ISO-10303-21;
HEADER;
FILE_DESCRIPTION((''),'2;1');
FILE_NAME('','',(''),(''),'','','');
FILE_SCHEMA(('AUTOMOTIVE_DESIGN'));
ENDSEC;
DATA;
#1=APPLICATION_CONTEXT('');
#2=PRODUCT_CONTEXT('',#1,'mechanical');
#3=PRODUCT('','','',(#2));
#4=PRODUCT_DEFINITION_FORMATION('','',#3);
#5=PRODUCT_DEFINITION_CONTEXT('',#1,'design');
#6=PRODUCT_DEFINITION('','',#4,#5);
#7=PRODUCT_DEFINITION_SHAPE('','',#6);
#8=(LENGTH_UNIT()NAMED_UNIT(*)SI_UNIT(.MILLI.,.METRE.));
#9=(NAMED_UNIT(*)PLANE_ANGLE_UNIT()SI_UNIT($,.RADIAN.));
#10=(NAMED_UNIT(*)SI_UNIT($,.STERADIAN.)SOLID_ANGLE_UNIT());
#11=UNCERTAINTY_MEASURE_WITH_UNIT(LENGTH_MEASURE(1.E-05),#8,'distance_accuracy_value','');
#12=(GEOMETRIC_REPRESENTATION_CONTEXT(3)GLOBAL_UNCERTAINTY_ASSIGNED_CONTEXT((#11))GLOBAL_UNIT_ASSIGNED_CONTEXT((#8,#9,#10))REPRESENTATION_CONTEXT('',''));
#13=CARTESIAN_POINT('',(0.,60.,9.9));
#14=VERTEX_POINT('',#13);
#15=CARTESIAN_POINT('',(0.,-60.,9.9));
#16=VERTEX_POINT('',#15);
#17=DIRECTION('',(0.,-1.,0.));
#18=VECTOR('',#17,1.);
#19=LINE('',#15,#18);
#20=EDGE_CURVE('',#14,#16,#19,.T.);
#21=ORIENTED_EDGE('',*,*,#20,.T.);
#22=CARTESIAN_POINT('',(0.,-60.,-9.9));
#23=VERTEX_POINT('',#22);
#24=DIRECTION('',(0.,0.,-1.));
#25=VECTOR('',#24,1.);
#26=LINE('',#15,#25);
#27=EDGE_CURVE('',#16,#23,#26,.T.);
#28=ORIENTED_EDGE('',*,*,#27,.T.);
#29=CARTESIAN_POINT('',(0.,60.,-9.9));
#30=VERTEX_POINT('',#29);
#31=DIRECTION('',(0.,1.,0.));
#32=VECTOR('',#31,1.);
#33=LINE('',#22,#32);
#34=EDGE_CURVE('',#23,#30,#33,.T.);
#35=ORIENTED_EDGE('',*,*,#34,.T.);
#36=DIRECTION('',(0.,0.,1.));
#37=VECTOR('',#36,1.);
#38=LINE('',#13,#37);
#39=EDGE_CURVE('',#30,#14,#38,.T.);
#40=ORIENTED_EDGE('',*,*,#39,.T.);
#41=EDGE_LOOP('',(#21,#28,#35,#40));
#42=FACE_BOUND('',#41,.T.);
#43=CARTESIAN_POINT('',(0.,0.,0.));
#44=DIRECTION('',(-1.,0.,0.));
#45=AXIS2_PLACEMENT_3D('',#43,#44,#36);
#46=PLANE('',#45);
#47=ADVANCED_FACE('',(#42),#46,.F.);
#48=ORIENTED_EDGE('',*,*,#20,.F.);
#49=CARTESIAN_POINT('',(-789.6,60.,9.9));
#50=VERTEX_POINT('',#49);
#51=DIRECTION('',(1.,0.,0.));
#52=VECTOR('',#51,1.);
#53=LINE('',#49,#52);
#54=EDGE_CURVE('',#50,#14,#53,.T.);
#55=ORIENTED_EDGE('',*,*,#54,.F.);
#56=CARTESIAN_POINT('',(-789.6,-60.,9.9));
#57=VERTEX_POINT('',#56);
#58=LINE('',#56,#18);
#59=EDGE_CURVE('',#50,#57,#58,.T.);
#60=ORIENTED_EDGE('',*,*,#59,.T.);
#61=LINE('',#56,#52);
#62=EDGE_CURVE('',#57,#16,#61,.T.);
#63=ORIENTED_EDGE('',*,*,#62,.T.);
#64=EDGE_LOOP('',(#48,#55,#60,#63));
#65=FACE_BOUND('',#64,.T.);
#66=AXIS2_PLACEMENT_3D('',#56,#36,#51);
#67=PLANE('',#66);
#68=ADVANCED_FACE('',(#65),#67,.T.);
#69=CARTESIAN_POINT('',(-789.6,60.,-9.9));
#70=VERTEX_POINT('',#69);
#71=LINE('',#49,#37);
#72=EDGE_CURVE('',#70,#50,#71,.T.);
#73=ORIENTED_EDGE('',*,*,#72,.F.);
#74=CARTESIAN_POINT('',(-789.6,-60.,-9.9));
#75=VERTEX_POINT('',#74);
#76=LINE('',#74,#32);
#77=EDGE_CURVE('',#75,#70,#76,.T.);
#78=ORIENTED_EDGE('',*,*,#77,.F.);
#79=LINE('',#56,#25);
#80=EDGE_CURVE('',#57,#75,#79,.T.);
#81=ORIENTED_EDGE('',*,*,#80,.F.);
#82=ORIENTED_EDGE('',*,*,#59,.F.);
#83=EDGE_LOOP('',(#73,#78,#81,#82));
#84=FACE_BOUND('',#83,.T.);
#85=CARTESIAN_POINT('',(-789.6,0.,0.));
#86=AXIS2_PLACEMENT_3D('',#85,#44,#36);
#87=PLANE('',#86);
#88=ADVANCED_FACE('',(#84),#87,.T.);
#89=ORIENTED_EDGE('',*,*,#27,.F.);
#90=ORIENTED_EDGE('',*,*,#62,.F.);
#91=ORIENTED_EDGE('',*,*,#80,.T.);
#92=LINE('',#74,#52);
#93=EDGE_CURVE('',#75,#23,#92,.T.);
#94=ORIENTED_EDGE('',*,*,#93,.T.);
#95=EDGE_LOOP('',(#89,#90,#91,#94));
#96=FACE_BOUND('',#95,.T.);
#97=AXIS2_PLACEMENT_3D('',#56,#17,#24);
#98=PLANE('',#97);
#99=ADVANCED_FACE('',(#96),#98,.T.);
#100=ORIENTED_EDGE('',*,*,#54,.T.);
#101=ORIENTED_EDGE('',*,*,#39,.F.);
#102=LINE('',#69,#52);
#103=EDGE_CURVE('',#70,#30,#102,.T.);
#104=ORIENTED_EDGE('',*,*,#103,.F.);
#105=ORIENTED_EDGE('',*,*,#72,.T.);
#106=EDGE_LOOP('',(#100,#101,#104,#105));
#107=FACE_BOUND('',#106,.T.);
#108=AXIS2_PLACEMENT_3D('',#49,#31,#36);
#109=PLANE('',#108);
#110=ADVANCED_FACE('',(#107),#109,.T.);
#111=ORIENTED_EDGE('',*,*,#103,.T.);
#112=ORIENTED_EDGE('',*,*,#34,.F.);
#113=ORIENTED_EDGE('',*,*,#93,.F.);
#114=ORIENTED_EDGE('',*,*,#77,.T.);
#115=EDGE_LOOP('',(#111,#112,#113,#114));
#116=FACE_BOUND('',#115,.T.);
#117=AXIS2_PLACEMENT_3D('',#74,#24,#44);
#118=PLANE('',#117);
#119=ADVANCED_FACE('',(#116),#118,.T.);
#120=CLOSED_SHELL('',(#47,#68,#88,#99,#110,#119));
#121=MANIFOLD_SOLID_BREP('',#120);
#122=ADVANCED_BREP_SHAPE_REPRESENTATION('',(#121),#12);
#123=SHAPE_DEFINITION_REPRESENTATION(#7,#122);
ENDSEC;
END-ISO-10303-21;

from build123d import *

# Parameters (mm, degrees)
ESBO_O1_W                = 19.8
ESBO_O1_H                = 120
RESSALTO_EXTRUS_O1_DEPTH = 789.6


with BuildPart() as part:
    # Esboço1 → Ressalto-extrusão1 (new body)
    with BuildSketch(Plane(origin=(0, 0, 0), x_dir=(0, 0, -1), z_dir=(1, 0, 0))):
        Rectangle(ESBO_O1_W, ESBO_O1_H)
    extrude(amount=-RESSALTO_EXTRUS_O1_DEPTH)


solid = part.part
